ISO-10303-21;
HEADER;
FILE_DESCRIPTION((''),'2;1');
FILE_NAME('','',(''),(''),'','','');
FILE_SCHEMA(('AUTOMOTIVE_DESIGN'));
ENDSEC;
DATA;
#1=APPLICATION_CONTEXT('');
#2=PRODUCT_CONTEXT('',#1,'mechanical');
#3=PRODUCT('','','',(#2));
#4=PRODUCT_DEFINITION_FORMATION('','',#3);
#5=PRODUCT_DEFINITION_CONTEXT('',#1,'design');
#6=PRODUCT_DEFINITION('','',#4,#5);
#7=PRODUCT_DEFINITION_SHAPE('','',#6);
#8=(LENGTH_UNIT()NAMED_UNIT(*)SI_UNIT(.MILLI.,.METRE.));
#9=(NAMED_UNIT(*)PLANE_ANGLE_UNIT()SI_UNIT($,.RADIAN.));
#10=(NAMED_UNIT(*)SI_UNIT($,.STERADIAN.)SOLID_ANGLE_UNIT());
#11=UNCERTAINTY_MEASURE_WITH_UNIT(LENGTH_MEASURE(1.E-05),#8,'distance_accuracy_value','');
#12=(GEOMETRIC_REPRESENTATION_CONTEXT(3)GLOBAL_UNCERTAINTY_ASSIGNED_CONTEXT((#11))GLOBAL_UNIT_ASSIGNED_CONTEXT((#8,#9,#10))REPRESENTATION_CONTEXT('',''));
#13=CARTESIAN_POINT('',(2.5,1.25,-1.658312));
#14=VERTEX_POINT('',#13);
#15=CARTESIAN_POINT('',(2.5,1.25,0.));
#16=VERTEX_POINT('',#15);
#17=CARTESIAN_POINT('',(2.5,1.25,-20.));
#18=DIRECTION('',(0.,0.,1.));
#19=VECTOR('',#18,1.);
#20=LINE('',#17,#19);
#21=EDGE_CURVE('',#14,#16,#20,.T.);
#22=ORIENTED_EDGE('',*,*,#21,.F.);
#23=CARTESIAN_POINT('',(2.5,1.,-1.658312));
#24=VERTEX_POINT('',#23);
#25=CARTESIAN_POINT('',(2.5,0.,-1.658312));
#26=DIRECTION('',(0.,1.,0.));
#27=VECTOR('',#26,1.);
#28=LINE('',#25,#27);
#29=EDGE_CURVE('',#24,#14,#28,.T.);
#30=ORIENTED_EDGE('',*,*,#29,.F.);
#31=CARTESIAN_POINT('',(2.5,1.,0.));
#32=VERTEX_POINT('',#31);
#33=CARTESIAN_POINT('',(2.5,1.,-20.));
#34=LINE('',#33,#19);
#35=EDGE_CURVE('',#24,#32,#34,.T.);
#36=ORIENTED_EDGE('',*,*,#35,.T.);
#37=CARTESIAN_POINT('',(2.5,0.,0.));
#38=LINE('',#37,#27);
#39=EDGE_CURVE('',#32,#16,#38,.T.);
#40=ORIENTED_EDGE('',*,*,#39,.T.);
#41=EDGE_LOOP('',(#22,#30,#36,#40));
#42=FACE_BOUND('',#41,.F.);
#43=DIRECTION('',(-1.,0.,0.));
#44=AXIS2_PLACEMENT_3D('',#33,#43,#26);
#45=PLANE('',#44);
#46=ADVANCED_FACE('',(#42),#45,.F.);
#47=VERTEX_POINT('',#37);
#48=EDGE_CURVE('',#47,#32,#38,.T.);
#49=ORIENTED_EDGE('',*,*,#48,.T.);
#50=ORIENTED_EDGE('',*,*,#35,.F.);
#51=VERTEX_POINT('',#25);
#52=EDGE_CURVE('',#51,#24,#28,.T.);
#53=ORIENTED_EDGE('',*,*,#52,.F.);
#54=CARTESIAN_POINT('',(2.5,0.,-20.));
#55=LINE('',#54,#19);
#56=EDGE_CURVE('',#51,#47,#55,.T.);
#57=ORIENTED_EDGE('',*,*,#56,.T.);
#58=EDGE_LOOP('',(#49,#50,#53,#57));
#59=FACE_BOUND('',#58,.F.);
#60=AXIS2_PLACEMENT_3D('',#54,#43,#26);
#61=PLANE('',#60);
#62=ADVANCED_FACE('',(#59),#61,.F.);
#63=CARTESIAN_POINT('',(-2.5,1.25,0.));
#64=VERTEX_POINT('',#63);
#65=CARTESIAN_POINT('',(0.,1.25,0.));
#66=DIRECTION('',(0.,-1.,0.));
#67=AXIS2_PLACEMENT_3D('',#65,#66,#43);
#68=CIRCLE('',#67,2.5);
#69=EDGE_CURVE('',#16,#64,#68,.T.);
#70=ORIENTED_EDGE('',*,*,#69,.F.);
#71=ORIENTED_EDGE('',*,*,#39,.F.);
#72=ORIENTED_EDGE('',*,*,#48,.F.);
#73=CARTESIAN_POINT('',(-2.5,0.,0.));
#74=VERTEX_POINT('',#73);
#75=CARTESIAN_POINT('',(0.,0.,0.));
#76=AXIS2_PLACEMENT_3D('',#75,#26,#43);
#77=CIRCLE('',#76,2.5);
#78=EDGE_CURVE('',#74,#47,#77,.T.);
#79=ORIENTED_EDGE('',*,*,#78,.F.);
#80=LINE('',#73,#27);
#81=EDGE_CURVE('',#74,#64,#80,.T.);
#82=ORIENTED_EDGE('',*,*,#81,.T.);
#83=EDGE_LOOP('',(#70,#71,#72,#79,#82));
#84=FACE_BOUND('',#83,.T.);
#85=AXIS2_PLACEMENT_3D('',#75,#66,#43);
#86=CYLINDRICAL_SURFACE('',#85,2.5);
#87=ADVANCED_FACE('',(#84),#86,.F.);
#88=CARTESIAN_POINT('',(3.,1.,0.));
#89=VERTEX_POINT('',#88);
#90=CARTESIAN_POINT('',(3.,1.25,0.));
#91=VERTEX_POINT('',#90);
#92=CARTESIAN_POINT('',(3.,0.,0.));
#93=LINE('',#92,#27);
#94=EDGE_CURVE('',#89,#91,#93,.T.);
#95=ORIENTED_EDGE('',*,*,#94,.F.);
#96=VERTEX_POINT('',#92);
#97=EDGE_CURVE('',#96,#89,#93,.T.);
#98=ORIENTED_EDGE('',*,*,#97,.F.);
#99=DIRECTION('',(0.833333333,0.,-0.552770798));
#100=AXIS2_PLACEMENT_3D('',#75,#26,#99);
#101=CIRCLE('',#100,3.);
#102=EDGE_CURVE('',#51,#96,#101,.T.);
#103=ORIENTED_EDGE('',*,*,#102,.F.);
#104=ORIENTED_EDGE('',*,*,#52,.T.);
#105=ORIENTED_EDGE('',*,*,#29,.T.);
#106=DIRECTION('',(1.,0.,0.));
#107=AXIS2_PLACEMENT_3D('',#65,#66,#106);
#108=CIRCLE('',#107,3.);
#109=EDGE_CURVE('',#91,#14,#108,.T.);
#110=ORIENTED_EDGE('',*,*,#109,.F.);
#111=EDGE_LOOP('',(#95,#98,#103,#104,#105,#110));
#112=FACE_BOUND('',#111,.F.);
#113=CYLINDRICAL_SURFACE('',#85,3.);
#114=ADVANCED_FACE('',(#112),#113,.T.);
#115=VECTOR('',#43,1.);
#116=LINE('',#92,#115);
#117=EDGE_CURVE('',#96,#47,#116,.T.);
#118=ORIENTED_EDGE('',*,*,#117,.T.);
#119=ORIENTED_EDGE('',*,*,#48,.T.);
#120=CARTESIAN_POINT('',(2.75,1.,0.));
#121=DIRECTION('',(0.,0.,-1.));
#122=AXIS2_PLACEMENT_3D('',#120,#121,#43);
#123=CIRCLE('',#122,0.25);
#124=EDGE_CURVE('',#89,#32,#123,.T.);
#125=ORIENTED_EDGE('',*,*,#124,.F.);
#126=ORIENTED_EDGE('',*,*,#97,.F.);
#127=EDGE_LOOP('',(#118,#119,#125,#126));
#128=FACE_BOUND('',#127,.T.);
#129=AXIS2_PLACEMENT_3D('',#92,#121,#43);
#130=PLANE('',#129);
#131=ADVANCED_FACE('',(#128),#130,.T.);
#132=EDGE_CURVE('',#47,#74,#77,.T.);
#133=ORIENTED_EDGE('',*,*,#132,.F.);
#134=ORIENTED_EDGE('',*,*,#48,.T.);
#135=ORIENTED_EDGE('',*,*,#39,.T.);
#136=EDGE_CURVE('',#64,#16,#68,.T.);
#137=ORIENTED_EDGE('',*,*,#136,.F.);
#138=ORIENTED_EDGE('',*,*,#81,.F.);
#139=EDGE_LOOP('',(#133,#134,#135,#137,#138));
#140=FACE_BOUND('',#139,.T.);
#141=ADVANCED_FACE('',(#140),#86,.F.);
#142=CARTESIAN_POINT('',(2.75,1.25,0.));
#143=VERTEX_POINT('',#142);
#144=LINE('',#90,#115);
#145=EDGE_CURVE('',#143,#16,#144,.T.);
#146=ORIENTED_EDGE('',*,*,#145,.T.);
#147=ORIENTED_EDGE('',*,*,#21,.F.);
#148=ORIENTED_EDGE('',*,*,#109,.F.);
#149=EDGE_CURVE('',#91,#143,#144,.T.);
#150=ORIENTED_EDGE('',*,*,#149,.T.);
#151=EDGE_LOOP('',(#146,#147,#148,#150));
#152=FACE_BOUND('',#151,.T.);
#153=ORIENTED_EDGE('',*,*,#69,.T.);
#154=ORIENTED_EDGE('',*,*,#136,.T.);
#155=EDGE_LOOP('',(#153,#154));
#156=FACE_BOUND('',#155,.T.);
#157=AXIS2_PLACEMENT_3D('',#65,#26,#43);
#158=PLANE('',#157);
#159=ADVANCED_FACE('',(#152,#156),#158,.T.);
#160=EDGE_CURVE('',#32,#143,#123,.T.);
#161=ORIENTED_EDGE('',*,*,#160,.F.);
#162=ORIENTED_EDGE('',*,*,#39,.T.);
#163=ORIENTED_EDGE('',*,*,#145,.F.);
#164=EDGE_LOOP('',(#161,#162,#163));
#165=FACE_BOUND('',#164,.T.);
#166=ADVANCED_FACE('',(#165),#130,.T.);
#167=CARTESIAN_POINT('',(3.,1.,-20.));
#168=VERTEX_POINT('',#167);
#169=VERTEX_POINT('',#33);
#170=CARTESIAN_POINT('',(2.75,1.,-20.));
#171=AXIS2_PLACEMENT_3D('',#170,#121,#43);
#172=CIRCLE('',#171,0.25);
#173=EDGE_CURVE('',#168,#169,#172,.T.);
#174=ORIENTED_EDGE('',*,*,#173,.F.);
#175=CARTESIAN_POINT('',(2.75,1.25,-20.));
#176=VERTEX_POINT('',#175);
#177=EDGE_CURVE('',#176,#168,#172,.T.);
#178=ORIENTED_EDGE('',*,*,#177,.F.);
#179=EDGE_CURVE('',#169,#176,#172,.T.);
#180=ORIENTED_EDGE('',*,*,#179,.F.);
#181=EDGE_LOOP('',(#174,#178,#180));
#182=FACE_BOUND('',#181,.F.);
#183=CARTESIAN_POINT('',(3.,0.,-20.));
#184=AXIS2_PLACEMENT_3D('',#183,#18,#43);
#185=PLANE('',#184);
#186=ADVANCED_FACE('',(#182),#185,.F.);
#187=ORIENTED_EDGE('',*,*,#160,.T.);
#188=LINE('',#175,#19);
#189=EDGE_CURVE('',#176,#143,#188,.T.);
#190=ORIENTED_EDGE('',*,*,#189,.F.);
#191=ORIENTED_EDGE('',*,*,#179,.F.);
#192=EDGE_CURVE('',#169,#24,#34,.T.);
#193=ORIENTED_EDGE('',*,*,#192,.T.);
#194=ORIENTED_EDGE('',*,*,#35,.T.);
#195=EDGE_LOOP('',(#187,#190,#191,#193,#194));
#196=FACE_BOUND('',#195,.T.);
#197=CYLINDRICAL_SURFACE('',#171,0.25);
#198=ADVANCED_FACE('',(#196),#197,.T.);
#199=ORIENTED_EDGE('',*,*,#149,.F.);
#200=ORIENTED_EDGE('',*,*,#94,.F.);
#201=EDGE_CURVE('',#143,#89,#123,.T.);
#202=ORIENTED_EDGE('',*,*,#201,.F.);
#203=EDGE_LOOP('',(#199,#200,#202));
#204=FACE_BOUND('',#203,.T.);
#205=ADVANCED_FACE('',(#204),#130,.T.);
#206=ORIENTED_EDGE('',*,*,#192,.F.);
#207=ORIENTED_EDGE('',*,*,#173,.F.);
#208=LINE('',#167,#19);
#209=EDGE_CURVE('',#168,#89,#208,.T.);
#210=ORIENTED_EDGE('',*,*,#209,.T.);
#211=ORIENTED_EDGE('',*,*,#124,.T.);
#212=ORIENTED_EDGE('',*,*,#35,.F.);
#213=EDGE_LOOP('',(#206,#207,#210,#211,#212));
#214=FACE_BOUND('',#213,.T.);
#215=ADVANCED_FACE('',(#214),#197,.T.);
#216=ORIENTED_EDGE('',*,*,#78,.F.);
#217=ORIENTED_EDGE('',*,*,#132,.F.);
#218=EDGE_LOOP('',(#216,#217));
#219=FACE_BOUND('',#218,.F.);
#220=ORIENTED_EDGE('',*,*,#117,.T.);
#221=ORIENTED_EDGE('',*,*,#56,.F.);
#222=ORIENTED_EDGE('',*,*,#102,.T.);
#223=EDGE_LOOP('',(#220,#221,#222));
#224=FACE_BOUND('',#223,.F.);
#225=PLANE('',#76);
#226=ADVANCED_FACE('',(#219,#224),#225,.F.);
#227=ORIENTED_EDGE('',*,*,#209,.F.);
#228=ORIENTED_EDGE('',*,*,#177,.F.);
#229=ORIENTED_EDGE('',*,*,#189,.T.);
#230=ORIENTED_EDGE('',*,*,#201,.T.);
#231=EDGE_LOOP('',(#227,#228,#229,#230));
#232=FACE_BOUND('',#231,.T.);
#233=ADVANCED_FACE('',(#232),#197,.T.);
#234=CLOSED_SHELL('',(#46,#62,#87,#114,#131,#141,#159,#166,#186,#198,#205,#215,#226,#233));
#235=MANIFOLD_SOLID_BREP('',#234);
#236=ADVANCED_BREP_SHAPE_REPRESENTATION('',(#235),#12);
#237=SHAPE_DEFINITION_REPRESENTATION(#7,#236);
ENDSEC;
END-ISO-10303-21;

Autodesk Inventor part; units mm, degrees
ref_plane "YZ Plane" through (0, 0, 0) normal (1, 0, 0) x (0, 1, 0)
ref_plane "XZ Plane" through (0, 0, 0) normal (0, 1, 0) x (-1, 0, 0)
ref_plane "XY Plane" through (0, 0, 0) normal (0, 0, 1) x (1, 0, 0)
sketch "スケッチ1" plane through (0, 0, 0) normal (0, 1, 0) x (-1, 0, 0)
  circle A0 centre (0, 0) radius 2.5
  circle A1 centre (0, 0) radius 3
  line L0 (-2.5, 0) -> (-3, 0)
  line L1 (-3, 0) -> (-3, -20)
  line L2 (-3, -20) -> (-2.5, -20)
  line L3 (-2.5, -20) -> (-2.5, 0)
  point P0 (-2.5, -1.6583)
  dimension "d0" = 5
  dimension "d1" = 6
  dimension "d2" = 20
extrude "押し出し1" add sketch "スケッチ1" along normal blind 1.25
sketch "スケッチ2" plane through (3, 0, -20) normal (0, 0, -1) x (-1, 0, 0)
  line L0 (0, 0) -> (0.5, 0) projected
  line L1 (0.5, 0) -> (0.5, 1.25) projected
  line L2 (0, 1.25) -> (0.5, 1.25) projected
  line L3 (0, 0) -> (0, 1.25) projected
  circle A0 centre (0.25, 1) radius 0.25
  line L4 (0, 1.25) -> (0.5, 1.25) projected
  line L5 (0.5, 0) -> (0.5, 1.25) projected
  point P0 (3, 0)
  point P1 (0, 1)
  point P2 (0.25, 1.25)
  point P3 (0.5, 1)
extrude "押し出し2" cut sketch "スケッチ2" against normal blind 20 contours L3 A0 L1 L0 | L3 L2 A0 | A0 L2 L1
properties part number "spring_180(131)" material "アルミニウム 6061"
